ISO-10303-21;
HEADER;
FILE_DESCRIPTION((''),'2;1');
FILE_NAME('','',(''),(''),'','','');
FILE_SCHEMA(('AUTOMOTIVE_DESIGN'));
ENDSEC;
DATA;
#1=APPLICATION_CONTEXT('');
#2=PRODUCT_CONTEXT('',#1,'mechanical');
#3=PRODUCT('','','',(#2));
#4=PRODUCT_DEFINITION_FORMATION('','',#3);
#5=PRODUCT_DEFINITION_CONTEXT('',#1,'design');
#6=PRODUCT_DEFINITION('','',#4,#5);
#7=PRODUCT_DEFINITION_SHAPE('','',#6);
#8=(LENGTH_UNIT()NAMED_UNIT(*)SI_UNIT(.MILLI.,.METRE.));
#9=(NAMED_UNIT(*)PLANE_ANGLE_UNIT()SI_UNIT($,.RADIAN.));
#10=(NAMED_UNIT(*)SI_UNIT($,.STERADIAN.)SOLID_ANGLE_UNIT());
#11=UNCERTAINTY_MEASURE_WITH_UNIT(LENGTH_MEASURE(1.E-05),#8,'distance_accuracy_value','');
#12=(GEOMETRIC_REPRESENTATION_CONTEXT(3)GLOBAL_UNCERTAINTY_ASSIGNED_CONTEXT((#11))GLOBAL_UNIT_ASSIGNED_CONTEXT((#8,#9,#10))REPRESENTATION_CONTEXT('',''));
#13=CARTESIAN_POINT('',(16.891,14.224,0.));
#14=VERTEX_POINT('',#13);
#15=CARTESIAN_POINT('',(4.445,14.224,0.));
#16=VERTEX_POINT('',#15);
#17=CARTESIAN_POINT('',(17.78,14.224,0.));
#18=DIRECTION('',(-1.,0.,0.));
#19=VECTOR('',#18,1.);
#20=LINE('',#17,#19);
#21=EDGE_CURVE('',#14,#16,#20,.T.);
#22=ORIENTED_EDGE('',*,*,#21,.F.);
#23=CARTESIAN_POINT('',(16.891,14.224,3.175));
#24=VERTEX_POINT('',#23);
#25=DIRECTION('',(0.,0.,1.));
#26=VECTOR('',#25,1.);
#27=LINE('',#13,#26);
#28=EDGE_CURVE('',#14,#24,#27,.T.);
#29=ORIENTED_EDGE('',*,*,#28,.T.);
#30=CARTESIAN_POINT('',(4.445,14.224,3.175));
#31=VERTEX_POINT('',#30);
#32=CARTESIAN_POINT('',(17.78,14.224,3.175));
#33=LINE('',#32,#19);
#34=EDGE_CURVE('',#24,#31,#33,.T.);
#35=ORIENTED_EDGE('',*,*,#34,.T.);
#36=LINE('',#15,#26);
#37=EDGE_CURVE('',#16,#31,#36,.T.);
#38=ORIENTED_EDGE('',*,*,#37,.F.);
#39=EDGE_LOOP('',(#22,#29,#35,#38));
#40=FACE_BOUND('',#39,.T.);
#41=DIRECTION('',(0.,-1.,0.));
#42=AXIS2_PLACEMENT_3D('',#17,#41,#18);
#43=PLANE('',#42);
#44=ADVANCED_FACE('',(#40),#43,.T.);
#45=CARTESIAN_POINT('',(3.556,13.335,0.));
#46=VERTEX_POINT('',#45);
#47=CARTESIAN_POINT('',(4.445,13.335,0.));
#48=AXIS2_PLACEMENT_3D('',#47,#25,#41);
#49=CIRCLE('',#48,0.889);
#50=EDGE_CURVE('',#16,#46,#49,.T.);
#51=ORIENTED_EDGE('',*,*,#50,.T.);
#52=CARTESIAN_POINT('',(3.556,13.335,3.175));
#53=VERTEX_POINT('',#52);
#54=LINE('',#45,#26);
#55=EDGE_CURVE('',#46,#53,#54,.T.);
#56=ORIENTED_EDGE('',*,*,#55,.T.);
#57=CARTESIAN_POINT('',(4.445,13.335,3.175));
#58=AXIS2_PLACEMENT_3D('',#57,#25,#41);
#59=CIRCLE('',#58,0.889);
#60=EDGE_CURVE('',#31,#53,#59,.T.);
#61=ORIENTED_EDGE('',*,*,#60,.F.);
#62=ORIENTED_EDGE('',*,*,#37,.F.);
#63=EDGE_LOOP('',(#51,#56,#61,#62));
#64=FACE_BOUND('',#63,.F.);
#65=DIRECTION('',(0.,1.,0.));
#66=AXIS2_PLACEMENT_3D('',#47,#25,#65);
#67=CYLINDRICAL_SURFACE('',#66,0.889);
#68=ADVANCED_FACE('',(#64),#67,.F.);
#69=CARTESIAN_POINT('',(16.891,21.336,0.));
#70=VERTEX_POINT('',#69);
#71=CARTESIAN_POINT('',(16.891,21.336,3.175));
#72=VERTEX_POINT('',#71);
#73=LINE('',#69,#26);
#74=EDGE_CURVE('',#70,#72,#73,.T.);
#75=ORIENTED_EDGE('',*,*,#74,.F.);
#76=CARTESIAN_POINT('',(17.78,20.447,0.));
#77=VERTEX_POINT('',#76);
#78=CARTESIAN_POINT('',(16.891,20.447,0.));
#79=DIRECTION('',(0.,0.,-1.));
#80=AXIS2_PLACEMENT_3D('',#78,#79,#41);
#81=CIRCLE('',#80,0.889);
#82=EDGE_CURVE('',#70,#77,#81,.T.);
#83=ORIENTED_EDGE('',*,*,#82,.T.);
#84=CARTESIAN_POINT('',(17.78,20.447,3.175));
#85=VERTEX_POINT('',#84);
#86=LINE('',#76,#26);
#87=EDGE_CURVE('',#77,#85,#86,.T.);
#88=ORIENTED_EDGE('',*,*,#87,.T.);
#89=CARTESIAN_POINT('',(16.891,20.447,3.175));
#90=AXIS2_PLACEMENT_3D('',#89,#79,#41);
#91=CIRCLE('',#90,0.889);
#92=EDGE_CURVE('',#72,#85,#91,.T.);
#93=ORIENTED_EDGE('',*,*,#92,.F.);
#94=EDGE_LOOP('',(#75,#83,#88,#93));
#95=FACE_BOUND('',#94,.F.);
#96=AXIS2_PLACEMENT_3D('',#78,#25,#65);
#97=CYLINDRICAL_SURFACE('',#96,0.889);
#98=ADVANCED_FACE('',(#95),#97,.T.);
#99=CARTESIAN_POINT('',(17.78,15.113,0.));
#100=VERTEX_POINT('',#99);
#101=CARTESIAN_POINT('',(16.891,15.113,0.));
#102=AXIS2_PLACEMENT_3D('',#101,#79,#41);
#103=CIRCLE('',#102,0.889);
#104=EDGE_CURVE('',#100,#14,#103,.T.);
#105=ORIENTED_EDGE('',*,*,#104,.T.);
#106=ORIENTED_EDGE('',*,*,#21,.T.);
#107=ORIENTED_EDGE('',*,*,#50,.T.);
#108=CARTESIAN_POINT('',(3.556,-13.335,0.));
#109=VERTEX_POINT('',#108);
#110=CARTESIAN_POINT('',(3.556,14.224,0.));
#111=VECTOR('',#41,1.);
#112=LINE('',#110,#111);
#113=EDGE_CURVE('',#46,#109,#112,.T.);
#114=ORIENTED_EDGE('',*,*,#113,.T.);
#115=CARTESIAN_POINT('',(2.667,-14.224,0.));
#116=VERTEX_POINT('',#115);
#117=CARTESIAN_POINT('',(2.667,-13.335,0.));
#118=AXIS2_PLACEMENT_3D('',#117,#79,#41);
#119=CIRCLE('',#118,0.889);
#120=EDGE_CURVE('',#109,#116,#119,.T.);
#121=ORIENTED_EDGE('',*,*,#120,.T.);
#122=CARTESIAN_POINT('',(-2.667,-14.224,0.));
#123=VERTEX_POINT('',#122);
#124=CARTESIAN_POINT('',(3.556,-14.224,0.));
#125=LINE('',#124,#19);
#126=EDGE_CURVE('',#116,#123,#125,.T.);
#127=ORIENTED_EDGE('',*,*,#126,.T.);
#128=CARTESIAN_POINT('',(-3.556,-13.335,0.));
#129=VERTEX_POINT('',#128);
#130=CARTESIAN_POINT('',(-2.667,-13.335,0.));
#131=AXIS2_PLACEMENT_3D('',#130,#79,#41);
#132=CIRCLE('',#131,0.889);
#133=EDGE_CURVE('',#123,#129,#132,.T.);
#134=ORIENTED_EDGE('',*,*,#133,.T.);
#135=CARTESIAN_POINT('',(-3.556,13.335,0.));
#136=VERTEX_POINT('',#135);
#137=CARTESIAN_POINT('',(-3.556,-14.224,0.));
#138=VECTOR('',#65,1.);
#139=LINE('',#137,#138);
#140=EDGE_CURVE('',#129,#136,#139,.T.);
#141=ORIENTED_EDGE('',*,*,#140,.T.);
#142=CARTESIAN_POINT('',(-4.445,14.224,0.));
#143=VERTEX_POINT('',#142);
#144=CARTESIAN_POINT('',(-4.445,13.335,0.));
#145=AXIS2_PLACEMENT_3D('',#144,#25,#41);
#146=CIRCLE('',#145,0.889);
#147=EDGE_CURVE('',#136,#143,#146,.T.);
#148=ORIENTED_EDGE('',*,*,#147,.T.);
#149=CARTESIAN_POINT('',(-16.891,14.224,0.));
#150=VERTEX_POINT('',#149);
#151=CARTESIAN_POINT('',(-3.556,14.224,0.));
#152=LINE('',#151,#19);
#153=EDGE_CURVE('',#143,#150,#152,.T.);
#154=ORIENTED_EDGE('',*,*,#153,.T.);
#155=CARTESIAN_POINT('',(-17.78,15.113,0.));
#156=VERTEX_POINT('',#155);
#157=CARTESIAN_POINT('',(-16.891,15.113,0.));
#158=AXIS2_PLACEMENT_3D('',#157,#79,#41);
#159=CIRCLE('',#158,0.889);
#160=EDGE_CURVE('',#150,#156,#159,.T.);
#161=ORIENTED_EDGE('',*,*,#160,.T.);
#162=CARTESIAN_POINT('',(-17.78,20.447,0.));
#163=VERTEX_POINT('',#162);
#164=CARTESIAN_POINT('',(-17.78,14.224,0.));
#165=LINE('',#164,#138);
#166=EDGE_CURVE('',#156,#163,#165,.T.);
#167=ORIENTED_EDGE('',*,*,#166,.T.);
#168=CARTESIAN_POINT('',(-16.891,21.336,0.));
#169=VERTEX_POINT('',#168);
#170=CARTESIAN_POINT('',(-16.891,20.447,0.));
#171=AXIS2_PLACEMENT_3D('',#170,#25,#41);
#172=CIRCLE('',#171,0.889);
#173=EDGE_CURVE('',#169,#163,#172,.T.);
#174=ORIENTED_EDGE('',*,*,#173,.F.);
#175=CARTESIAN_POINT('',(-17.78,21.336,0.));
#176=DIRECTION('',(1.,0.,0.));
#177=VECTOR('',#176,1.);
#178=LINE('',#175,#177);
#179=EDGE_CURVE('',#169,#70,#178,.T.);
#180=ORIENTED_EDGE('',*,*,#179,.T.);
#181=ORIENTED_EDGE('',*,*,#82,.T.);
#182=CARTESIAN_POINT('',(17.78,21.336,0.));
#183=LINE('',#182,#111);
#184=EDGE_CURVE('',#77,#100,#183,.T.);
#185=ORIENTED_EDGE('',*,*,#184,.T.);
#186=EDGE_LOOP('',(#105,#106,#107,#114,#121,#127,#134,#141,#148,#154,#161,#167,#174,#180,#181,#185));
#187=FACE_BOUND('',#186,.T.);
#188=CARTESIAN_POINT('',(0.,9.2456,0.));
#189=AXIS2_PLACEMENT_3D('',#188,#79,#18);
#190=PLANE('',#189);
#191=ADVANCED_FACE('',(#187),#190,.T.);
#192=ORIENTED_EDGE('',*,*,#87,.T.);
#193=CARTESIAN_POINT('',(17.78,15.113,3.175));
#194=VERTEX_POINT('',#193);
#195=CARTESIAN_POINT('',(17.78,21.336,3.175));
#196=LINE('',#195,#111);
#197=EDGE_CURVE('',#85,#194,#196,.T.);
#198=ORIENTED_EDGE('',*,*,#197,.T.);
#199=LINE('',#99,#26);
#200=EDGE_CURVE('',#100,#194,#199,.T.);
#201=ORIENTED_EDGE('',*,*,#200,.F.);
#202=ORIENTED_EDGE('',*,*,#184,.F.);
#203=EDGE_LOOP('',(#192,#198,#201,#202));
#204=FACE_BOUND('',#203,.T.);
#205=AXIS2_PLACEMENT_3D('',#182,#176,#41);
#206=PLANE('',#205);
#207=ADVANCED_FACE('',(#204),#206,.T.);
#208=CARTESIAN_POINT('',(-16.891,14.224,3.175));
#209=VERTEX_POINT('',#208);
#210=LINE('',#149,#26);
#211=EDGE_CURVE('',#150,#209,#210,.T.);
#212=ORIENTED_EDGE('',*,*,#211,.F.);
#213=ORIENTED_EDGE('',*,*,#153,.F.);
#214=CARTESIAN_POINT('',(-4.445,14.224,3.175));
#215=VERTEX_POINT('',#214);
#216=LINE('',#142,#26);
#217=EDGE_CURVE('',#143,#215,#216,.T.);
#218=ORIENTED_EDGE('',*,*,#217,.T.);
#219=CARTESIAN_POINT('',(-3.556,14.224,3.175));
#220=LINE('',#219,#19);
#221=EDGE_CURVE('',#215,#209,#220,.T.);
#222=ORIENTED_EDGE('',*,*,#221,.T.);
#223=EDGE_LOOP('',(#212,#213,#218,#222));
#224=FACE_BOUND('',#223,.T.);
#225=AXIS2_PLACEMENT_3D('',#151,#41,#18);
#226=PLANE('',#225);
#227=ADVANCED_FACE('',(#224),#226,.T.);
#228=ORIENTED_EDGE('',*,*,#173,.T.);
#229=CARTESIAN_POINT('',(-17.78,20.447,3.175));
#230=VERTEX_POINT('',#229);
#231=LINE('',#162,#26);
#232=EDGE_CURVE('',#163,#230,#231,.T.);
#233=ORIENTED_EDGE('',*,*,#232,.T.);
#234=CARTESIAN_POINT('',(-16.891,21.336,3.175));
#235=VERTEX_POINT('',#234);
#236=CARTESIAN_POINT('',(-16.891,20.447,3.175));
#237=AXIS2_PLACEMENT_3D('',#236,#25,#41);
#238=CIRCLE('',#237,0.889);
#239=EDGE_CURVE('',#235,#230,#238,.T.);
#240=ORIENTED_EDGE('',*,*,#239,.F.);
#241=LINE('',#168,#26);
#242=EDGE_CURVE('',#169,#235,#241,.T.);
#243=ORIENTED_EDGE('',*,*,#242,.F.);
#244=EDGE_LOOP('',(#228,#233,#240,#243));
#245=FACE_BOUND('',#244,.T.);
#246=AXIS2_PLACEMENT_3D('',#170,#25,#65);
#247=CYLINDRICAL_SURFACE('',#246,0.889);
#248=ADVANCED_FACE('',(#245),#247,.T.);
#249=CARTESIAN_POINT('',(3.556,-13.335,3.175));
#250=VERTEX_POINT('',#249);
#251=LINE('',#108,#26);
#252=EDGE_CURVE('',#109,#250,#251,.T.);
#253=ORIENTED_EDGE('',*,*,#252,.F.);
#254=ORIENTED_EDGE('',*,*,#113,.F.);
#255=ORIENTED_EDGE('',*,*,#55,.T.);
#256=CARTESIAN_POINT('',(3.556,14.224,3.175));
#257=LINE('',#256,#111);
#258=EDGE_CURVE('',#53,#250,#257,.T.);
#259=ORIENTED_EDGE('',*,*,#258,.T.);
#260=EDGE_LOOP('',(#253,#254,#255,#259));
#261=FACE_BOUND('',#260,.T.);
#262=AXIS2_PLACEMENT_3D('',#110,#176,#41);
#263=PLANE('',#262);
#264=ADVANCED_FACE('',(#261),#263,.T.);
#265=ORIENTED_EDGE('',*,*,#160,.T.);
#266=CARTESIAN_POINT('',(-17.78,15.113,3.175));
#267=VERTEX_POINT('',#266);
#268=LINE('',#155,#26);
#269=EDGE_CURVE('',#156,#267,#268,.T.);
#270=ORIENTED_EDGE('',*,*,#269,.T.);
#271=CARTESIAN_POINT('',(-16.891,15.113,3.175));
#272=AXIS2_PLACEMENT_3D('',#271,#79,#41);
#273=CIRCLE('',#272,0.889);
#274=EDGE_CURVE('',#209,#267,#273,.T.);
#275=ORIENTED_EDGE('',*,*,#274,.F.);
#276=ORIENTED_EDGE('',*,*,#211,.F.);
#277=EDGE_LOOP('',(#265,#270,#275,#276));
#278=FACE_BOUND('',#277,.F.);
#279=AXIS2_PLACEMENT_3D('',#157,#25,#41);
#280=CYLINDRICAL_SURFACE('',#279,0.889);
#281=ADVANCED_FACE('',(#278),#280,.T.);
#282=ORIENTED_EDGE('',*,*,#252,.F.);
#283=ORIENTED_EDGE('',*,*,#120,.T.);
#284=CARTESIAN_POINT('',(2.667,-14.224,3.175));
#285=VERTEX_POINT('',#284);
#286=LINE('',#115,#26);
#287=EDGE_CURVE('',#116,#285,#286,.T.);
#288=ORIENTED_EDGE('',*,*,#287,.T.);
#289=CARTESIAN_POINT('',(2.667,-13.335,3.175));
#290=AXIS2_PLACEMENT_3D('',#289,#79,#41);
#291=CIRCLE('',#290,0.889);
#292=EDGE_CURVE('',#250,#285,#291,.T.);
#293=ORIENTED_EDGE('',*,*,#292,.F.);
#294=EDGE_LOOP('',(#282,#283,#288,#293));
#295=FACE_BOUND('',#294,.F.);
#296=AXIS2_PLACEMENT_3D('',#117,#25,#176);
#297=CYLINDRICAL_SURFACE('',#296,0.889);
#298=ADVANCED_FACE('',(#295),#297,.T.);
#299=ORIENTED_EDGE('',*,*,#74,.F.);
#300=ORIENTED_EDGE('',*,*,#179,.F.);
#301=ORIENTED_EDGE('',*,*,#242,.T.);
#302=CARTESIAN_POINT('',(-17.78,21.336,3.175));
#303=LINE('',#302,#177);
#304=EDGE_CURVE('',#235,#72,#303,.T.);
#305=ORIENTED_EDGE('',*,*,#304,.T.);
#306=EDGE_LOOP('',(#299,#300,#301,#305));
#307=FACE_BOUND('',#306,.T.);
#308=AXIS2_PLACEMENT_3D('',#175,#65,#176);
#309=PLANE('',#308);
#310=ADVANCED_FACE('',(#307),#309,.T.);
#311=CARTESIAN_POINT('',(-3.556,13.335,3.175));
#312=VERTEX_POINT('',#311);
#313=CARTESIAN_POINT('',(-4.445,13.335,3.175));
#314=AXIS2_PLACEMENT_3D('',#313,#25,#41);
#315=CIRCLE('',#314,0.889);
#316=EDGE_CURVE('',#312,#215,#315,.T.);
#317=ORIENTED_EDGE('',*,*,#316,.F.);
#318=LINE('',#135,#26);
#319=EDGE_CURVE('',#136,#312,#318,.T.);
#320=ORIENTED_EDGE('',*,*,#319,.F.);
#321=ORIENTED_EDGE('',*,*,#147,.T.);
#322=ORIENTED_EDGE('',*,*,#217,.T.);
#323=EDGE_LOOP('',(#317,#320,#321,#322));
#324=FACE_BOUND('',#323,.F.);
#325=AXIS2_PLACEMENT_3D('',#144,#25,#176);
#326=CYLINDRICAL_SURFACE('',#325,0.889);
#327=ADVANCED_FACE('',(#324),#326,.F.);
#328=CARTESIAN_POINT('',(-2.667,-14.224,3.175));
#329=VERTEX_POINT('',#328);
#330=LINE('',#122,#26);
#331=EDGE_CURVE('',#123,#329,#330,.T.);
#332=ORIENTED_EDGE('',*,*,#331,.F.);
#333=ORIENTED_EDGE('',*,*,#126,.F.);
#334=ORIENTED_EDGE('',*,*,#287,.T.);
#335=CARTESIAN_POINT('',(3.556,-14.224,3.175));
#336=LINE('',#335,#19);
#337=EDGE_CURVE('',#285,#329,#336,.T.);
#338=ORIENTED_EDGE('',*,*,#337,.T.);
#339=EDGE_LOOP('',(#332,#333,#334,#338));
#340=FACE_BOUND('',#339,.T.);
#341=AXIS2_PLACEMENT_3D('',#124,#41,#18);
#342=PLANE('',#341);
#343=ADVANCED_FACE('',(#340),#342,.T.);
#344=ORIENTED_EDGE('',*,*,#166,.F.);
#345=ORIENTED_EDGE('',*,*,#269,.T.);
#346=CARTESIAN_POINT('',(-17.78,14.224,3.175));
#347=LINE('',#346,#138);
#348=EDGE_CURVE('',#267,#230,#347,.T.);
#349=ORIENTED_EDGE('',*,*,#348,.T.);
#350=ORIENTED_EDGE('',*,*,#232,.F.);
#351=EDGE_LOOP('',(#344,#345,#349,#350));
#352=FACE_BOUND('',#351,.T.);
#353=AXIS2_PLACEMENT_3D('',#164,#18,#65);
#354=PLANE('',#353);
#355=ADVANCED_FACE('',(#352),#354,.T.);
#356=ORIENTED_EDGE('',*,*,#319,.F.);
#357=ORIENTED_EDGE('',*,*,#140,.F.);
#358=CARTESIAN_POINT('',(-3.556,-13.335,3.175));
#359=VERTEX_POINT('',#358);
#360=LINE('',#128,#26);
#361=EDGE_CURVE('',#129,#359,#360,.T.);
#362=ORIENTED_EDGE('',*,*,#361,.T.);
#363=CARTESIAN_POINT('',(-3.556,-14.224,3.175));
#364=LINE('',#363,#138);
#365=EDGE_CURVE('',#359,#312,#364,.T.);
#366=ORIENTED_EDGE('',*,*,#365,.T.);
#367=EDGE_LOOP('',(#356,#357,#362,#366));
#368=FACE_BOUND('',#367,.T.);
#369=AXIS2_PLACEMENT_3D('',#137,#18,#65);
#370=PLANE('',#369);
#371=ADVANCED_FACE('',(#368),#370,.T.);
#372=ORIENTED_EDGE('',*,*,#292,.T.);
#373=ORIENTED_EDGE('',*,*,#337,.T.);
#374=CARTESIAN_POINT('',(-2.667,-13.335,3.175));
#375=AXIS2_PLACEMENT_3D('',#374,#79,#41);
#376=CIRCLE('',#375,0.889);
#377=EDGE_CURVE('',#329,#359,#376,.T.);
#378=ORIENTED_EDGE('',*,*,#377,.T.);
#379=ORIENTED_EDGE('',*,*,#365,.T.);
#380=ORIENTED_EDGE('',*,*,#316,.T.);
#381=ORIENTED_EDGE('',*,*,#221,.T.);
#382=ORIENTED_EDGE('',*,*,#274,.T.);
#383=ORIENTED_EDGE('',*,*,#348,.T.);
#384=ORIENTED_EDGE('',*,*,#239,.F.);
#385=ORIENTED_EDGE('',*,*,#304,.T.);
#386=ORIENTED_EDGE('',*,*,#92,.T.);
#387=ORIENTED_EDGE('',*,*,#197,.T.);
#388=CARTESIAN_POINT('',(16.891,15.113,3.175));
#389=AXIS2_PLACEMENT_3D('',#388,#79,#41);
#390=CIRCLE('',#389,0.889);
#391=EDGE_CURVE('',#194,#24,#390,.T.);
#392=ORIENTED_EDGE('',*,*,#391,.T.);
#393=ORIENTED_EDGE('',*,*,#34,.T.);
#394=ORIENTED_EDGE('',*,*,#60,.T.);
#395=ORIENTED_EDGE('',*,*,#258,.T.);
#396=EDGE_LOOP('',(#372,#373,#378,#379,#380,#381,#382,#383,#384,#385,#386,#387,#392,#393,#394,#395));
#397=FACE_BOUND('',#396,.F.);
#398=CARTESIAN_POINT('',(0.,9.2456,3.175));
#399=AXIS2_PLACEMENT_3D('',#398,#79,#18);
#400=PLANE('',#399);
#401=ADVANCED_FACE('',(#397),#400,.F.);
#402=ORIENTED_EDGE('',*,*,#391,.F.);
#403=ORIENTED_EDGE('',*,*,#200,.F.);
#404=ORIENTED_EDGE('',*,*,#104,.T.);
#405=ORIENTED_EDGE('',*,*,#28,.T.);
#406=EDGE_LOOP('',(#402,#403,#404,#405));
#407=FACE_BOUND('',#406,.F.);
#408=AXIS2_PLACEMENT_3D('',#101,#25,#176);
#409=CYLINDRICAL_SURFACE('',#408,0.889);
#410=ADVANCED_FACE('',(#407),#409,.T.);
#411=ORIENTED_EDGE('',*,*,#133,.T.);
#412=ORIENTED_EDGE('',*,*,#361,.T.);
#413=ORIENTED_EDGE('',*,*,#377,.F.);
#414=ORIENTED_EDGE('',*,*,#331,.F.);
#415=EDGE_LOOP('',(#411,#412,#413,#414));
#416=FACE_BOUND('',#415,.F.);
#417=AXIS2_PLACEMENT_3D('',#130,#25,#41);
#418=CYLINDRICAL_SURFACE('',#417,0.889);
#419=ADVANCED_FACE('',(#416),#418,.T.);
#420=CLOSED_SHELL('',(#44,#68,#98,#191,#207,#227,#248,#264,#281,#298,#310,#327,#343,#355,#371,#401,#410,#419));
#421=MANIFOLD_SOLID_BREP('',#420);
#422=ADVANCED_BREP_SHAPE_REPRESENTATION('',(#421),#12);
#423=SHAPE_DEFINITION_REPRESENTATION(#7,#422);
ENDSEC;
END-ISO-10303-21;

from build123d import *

# Parameters (mm, degrees)
PAD_DEPTH = 3.175
FILLET_R  = 0.889


with BuildPart() as part:
    # Sketch → Pad (new body)
    with BuildSketch(Plane.XY):
        Polygon((-17.78, 21.336), (17.78, 21.336), (17.78, 14.224), (3.556, 14.224), (3.556, -14.224), (-3.556, -14.224), (-3.556, 14.224), (-17.78, 14.224), align=None)
    extrude(amount=PAD_DEPTH)

    # Fillet
    fillet_edges = [part.edges().sort_by_distance(p)[0] for p in [
        (-17.78, 21.336, 1.5875),
        (-17.78, 14.224, 1.5875),
        (-3.556, 14.224, 1.5875),
        (17.78, 14.224, 1.5875),
        (-3.556, -14.224, 1.5875),
        (3.556, -14.224, 1.5875),
        (17.78, 21.336, 1.5875),
        (3.556, 14.224, 1.5875),
    ]]
    fillet(fillet_edges, radius=FILLET_R)


solid = part.part
